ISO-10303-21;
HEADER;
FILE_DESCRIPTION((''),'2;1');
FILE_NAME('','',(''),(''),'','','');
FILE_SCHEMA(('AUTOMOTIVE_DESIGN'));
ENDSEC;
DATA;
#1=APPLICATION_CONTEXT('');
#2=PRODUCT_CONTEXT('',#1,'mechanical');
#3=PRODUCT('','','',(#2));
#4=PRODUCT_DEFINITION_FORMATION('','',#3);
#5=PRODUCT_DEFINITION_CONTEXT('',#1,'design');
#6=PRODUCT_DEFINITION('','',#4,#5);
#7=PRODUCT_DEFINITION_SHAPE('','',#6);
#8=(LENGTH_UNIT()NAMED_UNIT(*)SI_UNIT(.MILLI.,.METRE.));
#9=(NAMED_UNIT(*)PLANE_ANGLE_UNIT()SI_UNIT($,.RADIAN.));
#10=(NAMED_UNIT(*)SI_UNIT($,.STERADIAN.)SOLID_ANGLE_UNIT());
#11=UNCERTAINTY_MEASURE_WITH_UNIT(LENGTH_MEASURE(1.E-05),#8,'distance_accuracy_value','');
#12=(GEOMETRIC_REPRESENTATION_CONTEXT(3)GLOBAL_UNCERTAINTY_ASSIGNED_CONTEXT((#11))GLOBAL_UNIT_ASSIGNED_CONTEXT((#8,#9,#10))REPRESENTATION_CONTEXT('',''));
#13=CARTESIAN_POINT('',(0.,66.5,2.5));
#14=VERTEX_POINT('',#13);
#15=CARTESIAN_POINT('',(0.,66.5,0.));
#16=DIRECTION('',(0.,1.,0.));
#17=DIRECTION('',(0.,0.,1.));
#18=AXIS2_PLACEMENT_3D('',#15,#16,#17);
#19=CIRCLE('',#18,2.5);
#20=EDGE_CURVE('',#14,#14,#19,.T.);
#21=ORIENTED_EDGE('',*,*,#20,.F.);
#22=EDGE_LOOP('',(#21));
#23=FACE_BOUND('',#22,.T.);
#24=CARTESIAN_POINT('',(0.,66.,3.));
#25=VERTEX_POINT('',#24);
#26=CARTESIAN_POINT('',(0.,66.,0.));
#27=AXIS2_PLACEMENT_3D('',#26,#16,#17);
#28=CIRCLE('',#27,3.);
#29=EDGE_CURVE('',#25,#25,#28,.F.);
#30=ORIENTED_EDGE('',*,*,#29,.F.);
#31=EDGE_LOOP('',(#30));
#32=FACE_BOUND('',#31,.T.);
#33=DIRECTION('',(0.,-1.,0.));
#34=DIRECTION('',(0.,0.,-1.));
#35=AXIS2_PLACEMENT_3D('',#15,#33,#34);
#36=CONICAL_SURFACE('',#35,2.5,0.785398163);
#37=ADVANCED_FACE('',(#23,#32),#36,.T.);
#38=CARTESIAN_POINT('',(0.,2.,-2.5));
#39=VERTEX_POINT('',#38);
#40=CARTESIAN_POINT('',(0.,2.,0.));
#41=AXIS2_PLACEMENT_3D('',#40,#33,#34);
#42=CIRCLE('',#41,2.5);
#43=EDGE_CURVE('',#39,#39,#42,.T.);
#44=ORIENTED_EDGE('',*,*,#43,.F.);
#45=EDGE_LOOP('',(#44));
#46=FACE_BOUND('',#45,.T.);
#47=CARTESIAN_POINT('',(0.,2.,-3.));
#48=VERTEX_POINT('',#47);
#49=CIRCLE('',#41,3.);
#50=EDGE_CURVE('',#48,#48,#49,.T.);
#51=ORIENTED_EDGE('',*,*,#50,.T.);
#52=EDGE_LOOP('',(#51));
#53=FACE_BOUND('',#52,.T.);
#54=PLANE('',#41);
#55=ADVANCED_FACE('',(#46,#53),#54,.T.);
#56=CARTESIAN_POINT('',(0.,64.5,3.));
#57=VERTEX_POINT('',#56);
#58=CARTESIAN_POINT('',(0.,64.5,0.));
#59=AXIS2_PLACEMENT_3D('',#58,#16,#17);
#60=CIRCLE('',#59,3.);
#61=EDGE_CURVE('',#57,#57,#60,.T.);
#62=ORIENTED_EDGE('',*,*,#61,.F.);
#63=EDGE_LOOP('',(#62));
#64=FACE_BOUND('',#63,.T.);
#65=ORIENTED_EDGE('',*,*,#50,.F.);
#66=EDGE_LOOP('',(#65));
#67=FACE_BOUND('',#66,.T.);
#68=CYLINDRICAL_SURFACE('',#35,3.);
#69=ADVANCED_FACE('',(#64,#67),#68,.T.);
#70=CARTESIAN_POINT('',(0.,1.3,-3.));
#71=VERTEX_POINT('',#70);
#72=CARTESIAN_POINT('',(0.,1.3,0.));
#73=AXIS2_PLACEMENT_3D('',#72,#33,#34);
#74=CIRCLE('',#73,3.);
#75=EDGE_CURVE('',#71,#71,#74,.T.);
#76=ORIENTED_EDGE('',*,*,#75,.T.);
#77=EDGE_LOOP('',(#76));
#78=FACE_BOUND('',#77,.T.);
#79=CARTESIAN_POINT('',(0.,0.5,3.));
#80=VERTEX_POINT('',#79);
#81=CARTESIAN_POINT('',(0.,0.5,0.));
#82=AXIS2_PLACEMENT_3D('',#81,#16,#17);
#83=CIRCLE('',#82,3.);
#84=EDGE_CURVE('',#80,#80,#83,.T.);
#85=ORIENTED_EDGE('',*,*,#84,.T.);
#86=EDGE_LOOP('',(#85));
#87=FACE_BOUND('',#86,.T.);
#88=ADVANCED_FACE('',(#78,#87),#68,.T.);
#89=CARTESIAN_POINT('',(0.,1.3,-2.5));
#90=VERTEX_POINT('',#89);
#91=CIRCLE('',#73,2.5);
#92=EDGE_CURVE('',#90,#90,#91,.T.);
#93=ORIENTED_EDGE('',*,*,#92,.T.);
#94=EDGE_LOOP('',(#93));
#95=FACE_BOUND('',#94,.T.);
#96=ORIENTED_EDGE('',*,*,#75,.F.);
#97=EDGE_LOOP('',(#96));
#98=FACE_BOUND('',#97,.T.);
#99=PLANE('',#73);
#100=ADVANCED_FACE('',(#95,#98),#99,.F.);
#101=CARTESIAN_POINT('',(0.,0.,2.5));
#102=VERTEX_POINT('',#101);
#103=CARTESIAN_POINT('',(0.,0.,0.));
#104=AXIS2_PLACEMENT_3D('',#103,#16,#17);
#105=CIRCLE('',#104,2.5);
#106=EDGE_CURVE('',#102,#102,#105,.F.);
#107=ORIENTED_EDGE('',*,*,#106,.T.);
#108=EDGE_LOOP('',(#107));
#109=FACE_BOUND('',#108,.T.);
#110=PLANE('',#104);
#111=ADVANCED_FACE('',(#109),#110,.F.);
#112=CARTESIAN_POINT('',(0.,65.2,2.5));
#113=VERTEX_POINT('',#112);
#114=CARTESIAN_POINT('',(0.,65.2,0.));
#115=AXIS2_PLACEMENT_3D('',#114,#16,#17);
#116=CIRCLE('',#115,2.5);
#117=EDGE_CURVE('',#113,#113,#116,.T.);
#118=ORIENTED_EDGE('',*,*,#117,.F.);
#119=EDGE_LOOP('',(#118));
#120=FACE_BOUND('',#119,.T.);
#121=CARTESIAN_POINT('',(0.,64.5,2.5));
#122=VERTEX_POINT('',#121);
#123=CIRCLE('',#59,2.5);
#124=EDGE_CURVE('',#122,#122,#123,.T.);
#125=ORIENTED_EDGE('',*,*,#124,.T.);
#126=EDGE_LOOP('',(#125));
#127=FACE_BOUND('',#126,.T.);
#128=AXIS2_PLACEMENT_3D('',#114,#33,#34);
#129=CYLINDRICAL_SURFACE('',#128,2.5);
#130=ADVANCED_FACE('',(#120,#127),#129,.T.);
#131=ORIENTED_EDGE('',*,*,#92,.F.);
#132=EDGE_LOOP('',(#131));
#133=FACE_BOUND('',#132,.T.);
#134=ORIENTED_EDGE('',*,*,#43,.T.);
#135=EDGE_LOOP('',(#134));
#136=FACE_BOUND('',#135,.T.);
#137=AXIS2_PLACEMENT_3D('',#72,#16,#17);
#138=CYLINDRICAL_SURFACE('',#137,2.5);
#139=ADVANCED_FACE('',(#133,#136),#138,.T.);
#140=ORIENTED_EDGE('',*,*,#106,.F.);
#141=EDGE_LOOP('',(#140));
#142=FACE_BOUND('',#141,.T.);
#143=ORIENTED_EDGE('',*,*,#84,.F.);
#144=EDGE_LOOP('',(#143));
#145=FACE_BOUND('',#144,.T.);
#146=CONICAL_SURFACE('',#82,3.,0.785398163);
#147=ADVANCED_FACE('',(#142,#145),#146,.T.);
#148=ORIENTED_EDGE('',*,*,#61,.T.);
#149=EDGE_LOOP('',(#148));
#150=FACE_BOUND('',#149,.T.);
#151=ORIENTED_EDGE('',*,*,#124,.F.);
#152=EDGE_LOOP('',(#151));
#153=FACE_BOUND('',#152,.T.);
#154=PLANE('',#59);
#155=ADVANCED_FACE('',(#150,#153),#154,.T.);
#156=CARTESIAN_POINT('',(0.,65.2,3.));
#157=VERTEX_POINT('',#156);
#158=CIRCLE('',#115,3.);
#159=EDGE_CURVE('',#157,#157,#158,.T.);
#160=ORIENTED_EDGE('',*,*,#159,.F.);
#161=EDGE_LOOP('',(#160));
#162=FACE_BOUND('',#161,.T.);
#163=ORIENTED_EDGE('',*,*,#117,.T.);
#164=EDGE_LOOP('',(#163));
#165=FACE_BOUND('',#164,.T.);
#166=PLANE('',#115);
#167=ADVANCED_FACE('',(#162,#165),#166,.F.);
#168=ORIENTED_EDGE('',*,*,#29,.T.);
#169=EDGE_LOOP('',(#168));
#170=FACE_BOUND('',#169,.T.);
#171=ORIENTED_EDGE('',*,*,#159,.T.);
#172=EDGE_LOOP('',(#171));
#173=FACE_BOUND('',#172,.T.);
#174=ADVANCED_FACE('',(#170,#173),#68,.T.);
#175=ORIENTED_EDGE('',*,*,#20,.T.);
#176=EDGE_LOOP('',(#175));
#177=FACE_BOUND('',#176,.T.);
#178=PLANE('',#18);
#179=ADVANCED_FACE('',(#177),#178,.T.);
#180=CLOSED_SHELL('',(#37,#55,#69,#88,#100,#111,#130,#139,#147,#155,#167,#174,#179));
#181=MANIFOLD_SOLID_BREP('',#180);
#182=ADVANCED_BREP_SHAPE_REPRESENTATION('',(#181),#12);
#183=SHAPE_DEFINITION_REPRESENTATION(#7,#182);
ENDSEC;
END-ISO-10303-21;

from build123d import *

# Parameters (mm, degrees)
SKETCH1_R          = 3
EXTRUDE_50_DEPTH   = 66.5
CUT_EXTRUDE1_START = -2
SKETCH2_R          = 3
SKETCH2_R_2        = 2.5
CUT_EXTRUDE1_DEPTH = 0.7
CUT_EXTRUDE2_START = -1.3
SKETCH3_R          = 3
SKETCH3_R_2        = 2.5
CUT_EXTRUDE2_DEPTH = 0.7
CHAMFER1_SIZE      = 0.5


with BuildPart() as part:
    # Sketch1 → Extrude 50 (new body)
    with BuildSketch(Plane(origin=(0, 0, 0), x_dir=(1, 0, 0), z_dir=(0, 1, 0))):
        with Locations(Location((0, 0, 0), (0, 0, 270))):
            Circle(SKETCH1_R)
    extrude(amount=EXTRUDE_50_DEPTH)

    # Sketch2 → Cut-Extrude1 (cut)
    with BuildSketch(Plane(origin=(0, 66.5, 0), x_dir=(1, 0, 0), z_dir=(0, 1, 0)).offset(CUT_EXTRUDE1_START)):
        with Locations(Location((0, 0, 0), (0, 0, 270))):
            Circle(SKETCH2_R)
        with Locations(Location((0, 0, 0), (0, 0, 270))):
            Circle(SKETCH2_R_2, mode=Mode.SUBTRACT)
    extrude(amount=CUT_EXTRUDE1_DEPTH, mode=Mode.SUBTRACT)

    # Sketch3 → Cut-Extrude2 (cut)
    with BuildSketch(Plane.XZ.offset(CUT_EXTRUDE2_START)):
        with Locations(Location((0, 0, 0), (0, 0, 270))):
            Circle(SKETCH3_R)
        with Locations(Location((0, 0, 0), (0, 0, 90))):
            Circle(SKETCH3_R_2, mode=Mode.SUBTRACT)
    extrude(amount=-CUT_EXTRUDE2_DEPTH, mode=Mode.SUBTRACT)

    # Chamfer1
    chamfer1_edges = [part.edges().sort_by_distance(p)[0] for p in [
        (0, 0, -3),
        (0, 66.5, -3),
    ]]
    chamfer(chamfer1_edges, length=CHAMFER1_SIZE)


solid = part.part
